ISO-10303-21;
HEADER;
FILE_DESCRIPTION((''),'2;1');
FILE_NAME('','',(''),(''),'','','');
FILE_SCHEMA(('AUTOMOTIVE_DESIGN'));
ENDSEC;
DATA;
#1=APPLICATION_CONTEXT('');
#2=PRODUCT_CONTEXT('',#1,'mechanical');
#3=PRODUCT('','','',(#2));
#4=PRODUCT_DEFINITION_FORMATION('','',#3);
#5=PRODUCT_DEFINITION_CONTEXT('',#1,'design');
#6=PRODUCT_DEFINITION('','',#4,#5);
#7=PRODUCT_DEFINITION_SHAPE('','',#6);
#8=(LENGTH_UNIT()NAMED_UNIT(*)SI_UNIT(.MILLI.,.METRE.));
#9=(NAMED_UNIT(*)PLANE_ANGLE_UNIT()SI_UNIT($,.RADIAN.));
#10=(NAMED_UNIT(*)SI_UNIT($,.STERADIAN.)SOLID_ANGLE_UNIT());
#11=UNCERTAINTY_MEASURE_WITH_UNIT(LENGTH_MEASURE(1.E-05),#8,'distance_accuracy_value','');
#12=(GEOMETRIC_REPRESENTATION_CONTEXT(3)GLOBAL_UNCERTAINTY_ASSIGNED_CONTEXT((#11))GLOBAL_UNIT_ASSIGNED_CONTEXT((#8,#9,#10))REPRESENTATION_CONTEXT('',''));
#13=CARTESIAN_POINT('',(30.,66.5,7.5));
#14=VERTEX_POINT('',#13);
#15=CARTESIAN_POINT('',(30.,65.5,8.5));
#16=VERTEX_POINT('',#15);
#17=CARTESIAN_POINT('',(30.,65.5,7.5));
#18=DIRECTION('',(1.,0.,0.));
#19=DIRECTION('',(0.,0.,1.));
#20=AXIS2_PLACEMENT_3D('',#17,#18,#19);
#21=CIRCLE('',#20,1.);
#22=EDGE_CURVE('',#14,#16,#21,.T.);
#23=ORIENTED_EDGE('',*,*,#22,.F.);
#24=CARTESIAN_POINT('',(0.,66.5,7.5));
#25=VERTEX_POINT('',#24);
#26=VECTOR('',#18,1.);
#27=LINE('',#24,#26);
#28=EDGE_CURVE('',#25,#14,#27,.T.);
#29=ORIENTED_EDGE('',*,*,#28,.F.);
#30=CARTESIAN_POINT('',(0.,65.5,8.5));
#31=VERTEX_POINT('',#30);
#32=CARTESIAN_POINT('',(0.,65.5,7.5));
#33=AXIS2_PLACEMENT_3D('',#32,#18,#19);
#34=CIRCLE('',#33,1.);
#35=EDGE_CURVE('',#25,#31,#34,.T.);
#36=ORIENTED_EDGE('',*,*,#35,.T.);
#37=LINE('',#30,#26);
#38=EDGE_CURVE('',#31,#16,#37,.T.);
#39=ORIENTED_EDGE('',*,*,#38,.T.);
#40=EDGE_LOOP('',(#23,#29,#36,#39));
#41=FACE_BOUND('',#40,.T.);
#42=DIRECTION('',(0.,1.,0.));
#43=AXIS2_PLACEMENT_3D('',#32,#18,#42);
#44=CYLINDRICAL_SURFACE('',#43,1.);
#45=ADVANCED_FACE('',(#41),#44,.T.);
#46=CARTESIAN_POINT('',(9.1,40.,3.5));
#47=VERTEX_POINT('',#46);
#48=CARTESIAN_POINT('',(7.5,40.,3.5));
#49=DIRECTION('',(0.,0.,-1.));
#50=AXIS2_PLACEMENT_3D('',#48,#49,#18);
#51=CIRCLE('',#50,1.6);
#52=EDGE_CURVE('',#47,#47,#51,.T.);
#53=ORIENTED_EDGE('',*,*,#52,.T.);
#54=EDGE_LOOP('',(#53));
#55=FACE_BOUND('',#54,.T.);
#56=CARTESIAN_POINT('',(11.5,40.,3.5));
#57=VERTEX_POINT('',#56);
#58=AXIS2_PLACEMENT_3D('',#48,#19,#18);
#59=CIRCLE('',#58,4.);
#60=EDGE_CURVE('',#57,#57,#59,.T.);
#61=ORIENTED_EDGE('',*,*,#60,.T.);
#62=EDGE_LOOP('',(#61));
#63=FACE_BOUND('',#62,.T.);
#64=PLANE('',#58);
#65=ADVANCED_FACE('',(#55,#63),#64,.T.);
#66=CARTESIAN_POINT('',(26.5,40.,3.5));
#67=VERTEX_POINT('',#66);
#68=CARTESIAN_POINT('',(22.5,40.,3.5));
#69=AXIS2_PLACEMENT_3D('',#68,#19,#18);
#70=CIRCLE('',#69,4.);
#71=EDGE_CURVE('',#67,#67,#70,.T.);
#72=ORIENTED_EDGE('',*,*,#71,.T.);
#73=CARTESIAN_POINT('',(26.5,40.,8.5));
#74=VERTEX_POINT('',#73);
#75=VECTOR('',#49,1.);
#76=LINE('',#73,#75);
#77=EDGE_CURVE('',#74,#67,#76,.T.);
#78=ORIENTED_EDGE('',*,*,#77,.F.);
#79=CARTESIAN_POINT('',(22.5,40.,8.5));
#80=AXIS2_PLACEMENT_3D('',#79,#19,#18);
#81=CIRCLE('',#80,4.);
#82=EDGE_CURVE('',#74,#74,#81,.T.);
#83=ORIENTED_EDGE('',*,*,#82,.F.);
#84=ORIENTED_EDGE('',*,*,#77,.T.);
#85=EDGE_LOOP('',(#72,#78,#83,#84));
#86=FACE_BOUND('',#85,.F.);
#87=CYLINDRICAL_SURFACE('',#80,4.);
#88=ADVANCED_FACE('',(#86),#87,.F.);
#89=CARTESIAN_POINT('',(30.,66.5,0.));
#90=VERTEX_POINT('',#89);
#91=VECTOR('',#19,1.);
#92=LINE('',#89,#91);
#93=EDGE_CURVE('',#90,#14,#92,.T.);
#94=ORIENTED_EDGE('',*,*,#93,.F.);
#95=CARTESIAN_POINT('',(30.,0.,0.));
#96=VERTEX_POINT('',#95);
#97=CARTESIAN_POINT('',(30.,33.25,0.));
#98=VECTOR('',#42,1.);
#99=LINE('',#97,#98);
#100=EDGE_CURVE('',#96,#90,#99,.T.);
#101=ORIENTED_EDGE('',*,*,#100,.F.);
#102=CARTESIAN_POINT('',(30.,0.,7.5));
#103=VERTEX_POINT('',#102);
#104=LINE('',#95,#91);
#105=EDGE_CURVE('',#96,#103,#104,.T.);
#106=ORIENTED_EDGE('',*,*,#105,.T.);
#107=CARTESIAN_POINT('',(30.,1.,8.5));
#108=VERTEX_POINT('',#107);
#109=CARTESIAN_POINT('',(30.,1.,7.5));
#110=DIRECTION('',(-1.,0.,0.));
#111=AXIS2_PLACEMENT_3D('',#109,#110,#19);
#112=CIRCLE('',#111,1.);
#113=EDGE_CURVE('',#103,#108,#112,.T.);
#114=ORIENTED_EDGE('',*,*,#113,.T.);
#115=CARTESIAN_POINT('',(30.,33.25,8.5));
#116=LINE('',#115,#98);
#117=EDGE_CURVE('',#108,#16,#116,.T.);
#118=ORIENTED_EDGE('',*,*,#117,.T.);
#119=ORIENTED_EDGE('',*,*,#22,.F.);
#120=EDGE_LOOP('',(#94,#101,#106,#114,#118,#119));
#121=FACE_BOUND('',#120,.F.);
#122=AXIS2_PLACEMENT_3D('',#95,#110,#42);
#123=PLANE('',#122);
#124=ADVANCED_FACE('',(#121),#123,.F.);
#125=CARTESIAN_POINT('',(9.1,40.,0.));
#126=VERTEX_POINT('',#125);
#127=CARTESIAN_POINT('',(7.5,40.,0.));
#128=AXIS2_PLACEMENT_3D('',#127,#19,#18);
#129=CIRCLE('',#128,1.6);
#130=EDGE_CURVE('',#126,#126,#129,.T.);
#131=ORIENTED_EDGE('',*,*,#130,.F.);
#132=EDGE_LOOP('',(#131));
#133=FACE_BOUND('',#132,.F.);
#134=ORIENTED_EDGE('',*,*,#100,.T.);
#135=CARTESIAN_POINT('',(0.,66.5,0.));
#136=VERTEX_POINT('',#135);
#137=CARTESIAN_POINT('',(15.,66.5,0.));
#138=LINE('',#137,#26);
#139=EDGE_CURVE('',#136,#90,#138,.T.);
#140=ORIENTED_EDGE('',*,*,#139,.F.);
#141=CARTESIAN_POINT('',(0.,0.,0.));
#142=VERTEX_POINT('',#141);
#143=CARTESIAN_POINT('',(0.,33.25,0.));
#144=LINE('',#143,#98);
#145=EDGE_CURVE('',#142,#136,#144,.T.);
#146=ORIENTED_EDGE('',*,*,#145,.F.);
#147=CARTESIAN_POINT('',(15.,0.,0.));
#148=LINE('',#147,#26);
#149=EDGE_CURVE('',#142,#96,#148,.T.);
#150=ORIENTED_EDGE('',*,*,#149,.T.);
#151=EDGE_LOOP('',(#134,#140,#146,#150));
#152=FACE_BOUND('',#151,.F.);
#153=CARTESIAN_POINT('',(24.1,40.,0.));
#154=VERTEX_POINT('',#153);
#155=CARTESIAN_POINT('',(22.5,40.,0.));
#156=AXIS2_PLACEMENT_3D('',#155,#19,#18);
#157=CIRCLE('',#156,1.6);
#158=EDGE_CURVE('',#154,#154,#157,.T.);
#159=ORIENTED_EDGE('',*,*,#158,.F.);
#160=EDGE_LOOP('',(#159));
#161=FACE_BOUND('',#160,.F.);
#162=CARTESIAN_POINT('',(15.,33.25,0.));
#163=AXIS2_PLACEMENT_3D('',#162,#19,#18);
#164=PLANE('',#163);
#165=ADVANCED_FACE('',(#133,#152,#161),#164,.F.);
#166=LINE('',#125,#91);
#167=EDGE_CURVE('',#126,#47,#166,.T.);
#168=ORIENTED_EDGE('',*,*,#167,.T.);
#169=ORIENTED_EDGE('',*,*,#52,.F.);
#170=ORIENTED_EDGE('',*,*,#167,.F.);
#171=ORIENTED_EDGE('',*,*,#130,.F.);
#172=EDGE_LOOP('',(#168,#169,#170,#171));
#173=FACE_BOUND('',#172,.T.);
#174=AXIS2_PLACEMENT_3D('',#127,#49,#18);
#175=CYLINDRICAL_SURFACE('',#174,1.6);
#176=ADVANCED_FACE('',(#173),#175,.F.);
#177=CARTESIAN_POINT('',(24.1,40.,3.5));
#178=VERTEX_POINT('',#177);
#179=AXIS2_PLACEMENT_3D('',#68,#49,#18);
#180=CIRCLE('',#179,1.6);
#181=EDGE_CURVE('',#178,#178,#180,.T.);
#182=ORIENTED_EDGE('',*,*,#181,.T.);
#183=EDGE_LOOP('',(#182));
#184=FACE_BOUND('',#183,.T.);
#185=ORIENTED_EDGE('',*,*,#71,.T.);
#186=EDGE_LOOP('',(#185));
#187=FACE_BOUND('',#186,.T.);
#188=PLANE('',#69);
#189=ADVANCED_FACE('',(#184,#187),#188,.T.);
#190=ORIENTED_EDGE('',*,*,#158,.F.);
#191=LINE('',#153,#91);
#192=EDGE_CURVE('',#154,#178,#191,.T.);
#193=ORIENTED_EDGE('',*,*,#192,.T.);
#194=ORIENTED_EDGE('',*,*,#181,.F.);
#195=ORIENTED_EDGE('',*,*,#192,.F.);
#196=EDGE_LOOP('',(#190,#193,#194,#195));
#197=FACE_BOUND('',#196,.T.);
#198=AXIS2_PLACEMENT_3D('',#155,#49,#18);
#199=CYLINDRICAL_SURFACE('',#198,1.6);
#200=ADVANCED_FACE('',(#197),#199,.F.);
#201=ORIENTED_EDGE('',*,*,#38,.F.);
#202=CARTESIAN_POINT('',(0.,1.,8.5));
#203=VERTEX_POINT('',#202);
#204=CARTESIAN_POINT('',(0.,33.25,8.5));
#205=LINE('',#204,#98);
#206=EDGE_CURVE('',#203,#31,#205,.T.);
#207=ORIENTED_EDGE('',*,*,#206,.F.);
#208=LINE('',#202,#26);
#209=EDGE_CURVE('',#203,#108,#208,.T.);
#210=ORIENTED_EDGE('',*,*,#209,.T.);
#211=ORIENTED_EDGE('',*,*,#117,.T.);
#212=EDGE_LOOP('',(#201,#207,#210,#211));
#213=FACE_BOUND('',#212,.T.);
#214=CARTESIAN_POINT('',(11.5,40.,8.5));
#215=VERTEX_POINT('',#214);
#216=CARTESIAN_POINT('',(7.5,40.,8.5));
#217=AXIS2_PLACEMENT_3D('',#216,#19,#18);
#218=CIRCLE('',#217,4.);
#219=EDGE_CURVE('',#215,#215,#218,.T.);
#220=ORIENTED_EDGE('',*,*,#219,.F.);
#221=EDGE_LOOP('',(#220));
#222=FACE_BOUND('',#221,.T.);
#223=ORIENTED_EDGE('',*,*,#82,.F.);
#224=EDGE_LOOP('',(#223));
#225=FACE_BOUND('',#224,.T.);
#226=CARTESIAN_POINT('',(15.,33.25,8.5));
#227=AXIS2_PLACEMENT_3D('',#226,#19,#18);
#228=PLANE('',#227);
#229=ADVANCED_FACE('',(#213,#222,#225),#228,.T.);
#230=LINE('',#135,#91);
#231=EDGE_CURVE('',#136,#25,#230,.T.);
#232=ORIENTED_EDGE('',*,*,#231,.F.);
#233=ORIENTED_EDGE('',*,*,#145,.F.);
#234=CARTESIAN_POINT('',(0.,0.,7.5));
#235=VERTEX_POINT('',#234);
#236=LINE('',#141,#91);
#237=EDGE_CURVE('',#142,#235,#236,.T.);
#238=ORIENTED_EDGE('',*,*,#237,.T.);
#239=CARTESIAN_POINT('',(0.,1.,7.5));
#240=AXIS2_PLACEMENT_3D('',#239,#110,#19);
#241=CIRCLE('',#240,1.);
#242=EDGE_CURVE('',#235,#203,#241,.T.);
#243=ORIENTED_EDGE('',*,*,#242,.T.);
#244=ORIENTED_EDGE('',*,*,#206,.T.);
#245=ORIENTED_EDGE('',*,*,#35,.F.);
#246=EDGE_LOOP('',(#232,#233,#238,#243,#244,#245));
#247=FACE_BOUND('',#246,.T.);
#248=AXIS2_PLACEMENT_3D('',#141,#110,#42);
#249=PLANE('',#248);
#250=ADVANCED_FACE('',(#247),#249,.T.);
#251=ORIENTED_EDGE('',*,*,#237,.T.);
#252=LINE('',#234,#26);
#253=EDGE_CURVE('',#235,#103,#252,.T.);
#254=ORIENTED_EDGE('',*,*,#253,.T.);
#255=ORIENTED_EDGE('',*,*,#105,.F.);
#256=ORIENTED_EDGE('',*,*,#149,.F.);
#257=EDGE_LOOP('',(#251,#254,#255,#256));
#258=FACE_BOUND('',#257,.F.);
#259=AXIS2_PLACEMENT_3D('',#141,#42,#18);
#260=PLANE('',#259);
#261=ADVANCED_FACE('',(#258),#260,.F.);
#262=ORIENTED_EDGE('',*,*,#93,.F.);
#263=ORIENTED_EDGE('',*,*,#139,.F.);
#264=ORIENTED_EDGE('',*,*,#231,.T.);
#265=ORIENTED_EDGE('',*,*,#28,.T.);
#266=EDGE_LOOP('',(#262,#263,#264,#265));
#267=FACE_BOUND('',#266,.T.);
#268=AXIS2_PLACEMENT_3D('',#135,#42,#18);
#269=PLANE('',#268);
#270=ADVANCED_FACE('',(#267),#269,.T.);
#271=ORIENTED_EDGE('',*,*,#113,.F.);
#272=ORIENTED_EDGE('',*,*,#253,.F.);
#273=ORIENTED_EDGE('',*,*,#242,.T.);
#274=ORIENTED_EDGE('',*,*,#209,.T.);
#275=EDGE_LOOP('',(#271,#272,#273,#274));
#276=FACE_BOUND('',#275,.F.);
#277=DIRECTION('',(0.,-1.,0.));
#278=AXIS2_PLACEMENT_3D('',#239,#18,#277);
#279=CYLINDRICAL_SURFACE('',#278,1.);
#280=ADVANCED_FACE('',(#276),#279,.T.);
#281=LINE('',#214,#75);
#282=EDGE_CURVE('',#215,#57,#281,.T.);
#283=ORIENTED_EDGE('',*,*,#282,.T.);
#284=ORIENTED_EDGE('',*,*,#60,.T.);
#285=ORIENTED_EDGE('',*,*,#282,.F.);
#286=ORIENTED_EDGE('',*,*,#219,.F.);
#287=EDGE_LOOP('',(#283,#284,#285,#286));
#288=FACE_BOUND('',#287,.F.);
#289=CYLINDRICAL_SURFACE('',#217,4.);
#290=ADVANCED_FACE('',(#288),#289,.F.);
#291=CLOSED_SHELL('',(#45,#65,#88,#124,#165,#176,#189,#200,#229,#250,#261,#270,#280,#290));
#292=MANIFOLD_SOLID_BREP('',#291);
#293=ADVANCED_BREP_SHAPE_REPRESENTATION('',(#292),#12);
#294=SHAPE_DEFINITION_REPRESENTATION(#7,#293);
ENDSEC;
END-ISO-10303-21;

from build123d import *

# Parameters (mm, degrees)
SKETCH_W     = 30
SKETCH_H     = 66.5
SKETCH_R     = 1.6
PAD_DEPTH    = 8.5
SKETCH001_R  = 4
POCKET_DEPTH = 5
FILLET_R     = 1


with BuildPart() as part:
    # Sketch → Pad (new body)
    with BuildSketch(Plane.XY):
        with Locations((15, 33.25)):
            Rectangle(SKETCH_W, SKETCH_H)
        with Locations((7.5, 40)):
            Circle(SKETCH_R, mode=Mode.SUBTRACT)
        with Locations((22.5, 40)):
            Circle(SKETCH_R, mode=Mode.SUBTRACT)
    extrude(amount=PAD_DEPTH)

    # Sketch001 (on Face8 of Pad) → Pocket (cut)
    with BuildSketch(Plane.XY.offset(8.5)):
        with Locations((7.5, 40)):
            Circle(SKETCH001_R)
        with Locations((22.5, 40)):
            Circle(SKETCH001_R)
    extrude(amount=-POCKET_DEPTH, mode=Mode.SUBTRACT)

    # Fillet
    fillet_edges = [part.edges().sort_by_distance(p)[0] for p in [
        (15, 66.5, 8.5),
        (15, 0, 8.5),
    ]]
    fillet(fillet_edges, radius=FILLET_R)


solid = part.part
